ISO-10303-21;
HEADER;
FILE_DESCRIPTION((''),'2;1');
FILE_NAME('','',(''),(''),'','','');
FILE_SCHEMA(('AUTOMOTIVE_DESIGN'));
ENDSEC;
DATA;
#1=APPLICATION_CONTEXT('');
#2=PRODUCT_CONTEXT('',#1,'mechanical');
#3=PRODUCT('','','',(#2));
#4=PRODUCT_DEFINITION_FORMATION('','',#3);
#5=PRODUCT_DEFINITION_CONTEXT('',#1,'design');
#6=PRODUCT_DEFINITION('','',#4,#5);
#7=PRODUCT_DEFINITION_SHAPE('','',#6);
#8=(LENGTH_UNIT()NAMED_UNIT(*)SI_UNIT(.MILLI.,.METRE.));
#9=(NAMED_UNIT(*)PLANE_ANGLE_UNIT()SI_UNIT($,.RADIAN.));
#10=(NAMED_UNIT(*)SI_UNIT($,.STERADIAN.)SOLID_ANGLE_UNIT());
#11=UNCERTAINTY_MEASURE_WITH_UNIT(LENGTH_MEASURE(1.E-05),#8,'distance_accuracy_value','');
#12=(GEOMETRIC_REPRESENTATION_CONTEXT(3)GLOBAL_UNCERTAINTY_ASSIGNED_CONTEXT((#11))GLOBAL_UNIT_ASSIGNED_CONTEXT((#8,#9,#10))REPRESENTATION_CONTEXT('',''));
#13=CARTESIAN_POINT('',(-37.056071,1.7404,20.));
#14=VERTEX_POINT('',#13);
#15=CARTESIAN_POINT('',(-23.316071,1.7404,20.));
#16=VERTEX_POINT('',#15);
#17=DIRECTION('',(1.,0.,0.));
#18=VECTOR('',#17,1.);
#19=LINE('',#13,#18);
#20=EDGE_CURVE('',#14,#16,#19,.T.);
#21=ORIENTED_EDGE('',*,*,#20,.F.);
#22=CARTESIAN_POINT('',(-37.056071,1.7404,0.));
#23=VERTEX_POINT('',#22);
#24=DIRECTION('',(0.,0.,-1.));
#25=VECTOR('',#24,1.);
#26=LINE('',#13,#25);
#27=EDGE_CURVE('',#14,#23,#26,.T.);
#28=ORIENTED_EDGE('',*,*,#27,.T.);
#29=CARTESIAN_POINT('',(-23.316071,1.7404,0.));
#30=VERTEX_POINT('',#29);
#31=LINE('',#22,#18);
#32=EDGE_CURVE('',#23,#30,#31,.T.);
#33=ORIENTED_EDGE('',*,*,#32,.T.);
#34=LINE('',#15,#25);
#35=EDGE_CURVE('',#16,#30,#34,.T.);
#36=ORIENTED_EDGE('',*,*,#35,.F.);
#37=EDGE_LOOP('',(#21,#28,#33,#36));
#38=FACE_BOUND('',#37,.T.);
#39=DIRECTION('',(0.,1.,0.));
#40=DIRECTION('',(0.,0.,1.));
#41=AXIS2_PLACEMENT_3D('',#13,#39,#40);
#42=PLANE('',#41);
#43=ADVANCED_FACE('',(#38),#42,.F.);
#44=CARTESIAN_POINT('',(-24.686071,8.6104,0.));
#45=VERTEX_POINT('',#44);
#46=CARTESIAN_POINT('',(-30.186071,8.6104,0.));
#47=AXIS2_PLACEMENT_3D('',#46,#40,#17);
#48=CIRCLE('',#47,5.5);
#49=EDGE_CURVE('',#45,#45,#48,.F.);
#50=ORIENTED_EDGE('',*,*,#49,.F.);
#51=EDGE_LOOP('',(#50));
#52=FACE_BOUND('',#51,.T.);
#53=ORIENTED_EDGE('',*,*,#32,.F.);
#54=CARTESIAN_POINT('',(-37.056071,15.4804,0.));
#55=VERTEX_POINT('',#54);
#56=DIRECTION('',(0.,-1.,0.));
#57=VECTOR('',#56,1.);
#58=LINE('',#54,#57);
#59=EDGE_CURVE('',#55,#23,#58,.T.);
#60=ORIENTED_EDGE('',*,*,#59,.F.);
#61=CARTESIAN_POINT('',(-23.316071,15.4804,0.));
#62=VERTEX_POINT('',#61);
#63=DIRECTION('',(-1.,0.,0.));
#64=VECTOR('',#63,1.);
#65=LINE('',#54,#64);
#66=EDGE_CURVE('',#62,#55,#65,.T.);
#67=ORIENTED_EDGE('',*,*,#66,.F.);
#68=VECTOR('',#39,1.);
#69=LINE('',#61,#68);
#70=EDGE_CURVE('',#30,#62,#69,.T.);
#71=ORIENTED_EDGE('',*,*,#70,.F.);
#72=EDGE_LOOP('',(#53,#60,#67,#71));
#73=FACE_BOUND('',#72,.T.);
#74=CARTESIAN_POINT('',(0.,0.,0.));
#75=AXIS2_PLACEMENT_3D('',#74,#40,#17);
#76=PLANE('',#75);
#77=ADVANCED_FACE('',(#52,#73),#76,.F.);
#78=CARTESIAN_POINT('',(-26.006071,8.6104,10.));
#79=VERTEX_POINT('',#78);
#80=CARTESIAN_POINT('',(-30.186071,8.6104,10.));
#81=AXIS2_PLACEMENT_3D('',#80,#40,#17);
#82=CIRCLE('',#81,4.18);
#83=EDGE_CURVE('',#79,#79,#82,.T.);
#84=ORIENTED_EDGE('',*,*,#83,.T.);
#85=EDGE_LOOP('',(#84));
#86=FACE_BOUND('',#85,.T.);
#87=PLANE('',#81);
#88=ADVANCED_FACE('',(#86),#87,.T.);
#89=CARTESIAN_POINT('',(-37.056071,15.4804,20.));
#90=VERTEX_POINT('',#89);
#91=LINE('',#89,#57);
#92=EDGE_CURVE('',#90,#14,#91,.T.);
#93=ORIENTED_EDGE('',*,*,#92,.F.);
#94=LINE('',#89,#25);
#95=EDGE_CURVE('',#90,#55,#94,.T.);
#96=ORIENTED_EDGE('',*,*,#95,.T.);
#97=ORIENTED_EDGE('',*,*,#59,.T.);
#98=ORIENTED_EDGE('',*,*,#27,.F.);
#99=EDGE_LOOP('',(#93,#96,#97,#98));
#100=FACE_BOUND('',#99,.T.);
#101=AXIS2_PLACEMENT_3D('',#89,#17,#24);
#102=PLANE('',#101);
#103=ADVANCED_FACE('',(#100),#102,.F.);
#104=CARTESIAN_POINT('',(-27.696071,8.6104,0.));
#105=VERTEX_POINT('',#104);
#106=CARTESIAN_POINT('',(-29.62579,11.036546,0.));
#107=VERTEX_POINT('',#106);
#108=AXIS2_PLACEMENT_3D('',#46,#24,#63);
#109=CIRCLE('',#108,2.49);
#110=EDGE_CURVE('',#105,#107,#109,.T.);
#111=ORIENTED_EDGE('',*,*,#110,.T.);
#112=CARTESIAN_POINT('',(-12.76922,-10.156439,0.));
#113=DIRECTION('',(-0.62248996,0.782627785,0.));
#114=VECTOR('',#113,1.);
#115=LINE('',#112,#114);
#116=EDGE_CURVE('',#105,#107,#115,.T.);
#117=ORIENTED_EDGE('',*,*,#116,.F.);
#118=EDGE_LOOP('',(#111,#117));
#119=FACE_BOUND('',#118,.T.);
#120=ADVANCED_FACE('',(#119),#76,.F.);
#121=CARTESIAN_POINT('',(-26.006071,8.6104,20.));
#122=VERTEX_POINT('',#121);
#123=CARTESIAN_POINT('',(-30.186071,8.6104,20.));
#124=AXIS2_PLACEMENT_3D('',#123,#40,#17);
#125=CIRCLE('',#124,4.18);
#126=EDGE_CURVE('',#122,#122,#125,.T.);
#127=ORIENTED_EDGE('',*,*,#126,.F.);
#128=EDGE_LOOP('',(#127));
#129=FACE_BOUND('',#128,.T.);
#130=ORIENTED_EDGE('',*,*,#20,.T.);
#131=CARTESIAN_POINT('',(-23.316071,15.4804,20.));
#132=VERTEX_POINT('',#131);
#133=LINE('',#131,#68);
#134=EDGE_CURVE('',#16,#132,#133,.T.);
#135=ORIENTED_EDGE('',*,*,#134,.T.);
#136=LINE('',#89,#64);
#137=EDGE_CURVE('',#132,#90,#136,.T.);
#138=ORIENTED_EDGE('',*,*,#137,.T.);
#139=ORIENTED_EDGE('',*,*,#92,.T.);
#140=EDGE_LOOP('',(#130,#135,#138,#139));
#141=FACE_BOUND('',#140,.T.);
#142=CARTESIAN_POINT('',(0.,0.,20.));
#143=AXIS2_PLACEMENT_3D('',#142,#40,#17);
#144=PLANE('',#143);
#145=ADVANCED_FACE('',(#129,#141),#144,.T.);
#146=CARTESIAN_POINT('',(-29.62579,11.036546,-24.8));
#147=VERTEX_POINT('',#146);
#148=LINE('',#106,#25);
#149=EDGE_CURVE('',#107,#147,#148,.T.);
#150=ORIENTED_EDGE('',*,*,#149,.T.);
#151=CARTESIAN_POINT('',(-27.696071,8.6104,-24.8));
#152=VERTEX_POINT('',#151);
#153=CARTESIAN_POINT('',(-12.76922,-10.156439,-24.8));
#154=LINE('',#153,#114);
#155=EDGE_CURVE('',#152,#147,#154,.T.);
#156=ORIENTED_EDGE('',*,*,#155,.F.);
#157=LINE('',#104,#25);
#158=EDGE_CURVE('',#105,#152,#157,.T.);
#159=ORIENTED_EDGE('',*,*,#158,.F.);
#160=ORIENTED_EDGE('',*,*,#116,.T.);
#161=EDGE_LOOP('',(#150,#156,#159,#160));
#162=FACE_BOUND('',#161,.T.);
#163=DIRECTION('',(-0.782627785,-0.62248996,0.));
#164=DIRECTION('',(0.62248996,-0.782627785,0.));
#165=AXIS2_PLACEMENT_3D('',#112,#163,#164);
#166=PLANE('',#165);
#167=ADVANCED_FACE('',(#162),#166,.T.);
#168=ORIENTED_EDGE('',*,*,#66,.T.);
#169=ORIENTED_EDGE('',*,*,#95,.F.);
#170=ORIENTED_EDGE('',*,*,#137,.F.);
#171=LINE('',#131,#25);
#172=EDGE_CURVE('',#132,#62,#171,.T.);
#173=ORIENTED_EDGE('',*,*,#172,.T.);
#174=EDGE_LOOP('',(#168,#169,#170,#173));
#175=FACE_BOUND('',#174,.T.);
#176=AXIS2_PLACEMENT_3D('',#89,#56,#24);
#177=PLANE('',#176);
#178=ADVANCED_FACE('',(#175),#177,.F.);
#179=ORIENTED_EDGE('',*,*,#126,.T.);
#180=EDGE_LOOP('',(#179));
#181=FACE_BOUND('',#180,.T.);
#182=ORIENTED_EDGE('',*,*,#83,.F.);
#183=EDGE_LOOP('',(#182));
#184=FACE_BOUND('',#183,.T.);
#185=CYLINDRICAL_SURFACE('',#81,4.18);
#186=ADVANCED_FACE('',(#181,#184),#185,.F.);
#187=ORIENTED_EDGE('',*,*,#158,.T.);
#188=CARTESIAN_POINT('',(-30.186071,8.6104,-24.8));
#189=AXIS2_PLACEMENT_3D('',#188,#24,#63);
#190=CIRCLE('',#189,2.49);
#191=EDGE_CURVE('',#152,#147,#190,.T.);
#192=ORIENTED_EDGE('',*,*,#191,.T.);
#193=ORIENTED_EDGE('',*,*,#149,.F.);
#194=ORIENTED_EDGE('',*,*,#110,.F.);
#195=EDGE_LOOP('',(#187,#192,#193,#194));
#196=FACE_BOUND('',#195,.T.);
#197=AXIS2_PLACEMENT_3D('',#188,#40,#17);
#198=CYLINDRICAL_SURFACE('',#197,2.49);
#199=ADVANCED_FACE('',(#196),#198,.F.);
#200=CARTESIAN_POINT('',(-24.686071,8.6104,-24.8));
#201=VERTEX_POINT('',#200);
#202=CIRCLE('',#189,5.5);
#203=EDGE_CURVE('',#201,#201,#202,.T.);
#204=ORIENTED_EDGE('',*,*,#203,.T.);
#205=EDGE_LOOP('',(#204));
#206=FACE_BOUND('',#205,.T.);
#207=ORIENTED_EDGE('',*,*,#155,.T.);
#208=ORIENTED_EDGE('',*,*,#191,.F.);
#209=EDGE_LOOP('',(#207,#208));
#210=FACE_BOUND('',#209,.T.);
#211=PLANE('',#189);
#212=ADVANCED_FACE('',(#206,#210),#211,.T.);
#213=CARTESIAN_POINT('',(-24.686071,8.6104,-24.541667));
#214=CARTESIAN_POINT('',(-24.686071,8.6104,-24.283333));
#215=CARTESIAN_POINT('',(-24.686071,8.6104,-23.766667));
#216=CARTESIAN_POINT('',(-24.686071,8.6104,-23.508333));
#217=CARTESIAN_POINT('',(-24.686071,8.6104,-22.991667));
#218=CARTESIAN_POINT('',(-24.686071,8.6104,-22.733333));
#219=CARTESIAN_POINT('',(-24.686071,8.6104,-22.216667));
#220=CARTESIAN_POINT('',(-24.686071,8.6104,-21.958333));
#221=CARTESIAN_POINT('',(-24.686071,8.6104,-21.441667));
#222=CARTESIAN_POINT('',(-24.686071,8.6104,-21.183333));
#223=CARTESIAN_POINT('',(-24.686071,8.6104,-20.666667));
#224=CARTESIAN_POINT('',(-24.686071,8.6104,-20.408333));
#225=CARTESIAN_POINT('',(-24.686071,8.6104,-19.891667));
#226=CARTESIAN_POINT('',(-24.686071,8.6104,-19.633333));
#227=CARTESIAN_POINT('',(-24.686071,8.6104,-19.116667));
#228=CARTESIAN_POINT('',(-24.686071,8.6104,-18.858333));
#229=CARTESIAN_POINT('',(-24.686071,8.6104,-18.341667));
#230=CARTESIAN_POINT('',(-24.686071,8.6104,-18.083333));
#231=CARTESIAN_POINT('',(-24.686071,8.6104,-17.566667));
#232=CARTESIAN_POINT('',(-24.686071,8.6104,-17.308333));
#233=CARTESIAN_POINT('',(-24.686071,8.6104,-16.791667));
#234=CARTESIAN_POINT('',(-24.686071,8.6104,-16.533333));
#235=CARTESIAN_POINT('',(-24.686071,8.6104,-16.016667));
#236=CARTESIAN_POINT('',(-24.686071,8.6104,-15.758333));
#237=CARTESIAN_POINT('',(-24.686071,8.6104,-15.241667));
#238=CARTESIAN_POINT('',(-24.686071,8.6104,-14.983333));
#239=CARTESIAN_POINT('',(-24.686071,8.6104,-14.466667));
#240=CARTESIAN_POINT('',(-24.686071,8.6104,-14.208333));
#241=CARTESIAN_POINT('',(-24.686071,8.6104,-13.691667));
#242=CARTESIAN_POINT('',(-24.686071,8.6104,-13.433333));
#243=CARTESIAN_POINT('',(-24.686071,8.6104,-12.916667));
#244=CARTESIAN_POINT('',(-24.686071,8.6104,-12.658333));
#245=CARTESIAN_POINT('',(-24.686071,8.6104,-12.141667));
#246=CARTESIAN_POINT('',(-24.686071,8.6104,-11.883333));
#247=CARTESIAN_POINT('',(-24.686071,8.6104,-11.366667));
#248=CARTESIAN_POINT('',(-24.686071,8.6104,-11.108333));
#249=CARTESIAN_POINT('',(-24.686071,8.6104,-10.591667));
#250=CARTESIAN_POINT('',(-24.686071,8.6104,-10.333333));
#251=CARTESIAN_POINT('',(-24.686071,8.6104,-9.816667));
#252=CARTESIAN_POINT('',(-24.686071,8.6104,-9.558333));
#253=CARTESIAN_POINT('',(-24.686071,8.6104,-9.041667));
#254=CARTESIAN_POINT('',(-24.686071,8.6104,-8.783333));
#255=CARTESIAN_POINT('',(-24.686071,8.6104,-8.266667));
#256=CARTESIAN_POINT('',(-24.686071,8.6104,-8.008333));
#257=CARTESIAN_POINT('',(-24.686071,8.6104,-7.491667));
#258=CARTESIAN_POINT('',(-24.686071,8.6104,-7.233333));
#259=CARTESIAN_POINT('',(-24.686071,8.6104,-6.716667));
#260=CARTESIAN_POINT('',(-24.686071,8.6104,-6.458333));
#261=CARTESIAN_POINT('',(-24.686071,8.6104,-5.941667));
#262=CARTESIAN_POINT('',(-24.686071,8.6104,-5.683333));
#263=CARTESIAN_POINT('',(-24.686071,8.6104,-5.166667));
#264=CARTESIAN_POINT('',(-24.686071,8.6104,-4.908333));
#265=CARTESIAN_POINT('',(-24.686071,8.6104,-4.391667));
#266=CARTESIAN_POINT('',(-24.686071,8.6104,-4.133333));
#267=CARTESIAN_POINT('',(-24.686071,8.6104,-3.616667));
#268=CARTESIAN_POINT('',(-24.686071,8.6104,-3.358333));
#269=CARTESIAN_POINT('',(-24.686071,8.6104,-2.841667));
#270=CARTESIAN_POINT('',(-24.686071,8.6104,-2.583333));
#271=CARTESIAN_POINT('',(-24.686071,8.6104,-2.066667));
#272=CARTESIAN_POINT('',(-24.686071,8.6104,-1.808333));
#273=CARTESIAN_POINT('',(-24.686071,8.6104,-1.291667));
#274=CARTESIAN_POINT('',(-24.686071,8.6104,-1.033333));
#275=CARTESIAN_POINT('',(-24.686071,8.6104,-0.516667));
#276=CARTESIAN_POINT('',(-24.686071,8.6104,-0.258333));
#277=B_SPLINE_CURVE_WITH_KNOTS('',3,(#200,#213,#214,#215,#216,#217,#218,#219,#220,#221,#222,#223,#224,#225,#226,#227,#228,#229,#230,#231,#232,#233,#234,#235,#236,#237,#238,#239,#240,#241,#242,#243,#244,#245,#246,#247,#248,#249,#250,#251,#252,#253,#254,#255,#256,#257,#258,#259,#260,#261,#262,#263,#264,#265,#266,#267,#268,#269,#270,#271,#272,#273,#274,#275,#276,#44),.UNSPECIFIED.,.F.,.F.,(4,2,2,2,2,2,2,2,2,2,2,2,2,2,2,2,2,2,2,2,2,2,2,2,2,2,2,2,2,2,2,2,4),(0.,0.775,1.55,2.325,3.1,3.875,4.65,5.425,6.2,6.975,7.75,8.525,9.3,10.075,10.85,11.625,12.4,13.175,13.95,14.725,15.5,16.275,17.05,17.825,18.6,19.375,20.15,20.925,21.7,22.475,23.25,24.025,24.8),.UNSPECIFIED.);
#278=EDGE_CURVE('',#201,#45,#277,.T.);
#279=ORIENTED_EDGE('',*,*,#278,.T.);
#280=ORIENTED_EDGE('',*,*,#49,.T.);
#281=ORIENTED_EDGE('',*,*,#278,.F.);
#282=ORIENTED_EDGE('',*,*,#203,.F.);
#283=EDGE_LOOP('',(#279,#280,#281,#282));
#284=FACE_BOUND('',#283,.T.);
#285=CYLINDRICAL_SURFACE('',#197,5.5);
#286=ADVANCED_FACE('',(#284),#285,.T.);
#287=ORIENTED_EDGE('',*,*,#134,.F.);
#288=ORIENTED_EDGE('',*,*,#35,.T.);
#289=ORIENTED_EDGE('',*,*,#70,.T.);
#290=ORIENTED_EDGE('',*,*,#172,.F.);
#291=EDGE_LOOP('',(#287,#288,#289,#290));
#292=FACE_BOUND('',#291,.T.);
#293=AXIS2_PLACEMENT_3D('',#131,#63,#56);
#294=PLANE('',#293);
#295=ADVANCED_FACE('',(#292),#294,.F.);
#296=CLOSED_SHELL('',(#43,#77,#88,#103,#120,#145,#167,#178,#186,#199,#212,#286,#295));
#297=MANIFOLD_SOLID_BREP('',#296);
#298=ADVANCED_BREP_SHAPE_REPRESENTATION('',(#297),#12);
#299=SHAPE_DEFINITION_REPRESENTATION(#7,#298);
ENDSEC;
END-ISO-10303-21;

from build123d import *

# Parameters (mm, degrees)
ESQUISSE1_W             = 13.74
ESQUISSE1_H             = 13.74
BOSS_EXTRU_1_DEPTH      = 20
ESQUISSE3_R             = 4.18
ENL_V_MAT_EXTRU_2_DEPTH = 10
ESQUISSE2_R             = 2.49
BOSS_EXTRU_4_DEPTH      = 24.8
ENL_V_START             = -24.8
ENL_V_MAT_EXTRU_4_DEPTH = 24.8
ESQUISSE6_R             = 5.5
ESQUISSE6_R_2           = 2.49
BOSS_EXTRU_5_DEPTH      = 24.8


with BuildPart() as part:
    # Esquisse1 → Boss.-Extru.1 (new body)
    with BuildSketch(Plane.XY):
        with Locations((-30.186071131, 8.6104)):
            Rectangle(ESQUISSE1_W, ESQUISSE1_H)
    extrude(amount=BOSS_EXTRU_1_DEPTH)

    # Esquisse3 → Enlèv. mat.-Extru.2 (cut)
    with BuildSketch(Plane.XY.offset(20)):
        with Locations((-30.186071131, 8.6104)):
            Circle(ESQUISSE3_R)
    extrude(amount=-ENL_V_MAT_EXTRU_2_DEPTH, mode=Mode.SUBTRACT)

    # Esquisse2 → Boss.-Extru.4 (add)
    with BuildSketch(Plane(origin=(0, 0, 0), x_dir=(-1, 0, 0), z_dir=(0, 0, -1))):
        with Locations(Location((30.186071131, 8.6104, 0), (0, 0, 180))):
            Circle(ESQUISSE2_R)
    extrude(amount=BOSS_EXTRU_4_DEPTH)

    # Esquisse5 → Enlèv. mat.-Extru.4 (cut)
    with BuildSketch(Plane(origin=(0, 0, -24.8), x_dir=(-1, 0, 0), z_dir=(0, 0, -1)).offset(ENL_V_START)):
        with BuildLine():
            Line((27.696071131, 8.6104), (29.625790006, 11.036546134))
            ThreePointArc((29.625790006, 11.036546134), (32.134814315, 7.0604), (27.696071131, 8.6104))
        make_face()
    extrude(amount=ENL_V_MAT_EXTRU_4_DEPTH, mode=Mode.SUBTRACT)

    # Esquisse6 → Boss.-Extru.5 (add)
    with BuildSketch(Plane(origin=(0, 0, 0), x_dir=(-1, 0, 0), z_dir=(0, 0, -1))):
        with Locations(Location((30.186071131, 8.6104, 0), (0, 0, 180))):
            Circle(ESQUISSE6_R)
        with Locations((30.186071131, 8.6104)):
            Circle(ESQUISSE6_R_2, mode=Mode.SUBTRACT)
    extrude(amount=BOSS_EXTRU_5_DEPTH)


solid = part.part
